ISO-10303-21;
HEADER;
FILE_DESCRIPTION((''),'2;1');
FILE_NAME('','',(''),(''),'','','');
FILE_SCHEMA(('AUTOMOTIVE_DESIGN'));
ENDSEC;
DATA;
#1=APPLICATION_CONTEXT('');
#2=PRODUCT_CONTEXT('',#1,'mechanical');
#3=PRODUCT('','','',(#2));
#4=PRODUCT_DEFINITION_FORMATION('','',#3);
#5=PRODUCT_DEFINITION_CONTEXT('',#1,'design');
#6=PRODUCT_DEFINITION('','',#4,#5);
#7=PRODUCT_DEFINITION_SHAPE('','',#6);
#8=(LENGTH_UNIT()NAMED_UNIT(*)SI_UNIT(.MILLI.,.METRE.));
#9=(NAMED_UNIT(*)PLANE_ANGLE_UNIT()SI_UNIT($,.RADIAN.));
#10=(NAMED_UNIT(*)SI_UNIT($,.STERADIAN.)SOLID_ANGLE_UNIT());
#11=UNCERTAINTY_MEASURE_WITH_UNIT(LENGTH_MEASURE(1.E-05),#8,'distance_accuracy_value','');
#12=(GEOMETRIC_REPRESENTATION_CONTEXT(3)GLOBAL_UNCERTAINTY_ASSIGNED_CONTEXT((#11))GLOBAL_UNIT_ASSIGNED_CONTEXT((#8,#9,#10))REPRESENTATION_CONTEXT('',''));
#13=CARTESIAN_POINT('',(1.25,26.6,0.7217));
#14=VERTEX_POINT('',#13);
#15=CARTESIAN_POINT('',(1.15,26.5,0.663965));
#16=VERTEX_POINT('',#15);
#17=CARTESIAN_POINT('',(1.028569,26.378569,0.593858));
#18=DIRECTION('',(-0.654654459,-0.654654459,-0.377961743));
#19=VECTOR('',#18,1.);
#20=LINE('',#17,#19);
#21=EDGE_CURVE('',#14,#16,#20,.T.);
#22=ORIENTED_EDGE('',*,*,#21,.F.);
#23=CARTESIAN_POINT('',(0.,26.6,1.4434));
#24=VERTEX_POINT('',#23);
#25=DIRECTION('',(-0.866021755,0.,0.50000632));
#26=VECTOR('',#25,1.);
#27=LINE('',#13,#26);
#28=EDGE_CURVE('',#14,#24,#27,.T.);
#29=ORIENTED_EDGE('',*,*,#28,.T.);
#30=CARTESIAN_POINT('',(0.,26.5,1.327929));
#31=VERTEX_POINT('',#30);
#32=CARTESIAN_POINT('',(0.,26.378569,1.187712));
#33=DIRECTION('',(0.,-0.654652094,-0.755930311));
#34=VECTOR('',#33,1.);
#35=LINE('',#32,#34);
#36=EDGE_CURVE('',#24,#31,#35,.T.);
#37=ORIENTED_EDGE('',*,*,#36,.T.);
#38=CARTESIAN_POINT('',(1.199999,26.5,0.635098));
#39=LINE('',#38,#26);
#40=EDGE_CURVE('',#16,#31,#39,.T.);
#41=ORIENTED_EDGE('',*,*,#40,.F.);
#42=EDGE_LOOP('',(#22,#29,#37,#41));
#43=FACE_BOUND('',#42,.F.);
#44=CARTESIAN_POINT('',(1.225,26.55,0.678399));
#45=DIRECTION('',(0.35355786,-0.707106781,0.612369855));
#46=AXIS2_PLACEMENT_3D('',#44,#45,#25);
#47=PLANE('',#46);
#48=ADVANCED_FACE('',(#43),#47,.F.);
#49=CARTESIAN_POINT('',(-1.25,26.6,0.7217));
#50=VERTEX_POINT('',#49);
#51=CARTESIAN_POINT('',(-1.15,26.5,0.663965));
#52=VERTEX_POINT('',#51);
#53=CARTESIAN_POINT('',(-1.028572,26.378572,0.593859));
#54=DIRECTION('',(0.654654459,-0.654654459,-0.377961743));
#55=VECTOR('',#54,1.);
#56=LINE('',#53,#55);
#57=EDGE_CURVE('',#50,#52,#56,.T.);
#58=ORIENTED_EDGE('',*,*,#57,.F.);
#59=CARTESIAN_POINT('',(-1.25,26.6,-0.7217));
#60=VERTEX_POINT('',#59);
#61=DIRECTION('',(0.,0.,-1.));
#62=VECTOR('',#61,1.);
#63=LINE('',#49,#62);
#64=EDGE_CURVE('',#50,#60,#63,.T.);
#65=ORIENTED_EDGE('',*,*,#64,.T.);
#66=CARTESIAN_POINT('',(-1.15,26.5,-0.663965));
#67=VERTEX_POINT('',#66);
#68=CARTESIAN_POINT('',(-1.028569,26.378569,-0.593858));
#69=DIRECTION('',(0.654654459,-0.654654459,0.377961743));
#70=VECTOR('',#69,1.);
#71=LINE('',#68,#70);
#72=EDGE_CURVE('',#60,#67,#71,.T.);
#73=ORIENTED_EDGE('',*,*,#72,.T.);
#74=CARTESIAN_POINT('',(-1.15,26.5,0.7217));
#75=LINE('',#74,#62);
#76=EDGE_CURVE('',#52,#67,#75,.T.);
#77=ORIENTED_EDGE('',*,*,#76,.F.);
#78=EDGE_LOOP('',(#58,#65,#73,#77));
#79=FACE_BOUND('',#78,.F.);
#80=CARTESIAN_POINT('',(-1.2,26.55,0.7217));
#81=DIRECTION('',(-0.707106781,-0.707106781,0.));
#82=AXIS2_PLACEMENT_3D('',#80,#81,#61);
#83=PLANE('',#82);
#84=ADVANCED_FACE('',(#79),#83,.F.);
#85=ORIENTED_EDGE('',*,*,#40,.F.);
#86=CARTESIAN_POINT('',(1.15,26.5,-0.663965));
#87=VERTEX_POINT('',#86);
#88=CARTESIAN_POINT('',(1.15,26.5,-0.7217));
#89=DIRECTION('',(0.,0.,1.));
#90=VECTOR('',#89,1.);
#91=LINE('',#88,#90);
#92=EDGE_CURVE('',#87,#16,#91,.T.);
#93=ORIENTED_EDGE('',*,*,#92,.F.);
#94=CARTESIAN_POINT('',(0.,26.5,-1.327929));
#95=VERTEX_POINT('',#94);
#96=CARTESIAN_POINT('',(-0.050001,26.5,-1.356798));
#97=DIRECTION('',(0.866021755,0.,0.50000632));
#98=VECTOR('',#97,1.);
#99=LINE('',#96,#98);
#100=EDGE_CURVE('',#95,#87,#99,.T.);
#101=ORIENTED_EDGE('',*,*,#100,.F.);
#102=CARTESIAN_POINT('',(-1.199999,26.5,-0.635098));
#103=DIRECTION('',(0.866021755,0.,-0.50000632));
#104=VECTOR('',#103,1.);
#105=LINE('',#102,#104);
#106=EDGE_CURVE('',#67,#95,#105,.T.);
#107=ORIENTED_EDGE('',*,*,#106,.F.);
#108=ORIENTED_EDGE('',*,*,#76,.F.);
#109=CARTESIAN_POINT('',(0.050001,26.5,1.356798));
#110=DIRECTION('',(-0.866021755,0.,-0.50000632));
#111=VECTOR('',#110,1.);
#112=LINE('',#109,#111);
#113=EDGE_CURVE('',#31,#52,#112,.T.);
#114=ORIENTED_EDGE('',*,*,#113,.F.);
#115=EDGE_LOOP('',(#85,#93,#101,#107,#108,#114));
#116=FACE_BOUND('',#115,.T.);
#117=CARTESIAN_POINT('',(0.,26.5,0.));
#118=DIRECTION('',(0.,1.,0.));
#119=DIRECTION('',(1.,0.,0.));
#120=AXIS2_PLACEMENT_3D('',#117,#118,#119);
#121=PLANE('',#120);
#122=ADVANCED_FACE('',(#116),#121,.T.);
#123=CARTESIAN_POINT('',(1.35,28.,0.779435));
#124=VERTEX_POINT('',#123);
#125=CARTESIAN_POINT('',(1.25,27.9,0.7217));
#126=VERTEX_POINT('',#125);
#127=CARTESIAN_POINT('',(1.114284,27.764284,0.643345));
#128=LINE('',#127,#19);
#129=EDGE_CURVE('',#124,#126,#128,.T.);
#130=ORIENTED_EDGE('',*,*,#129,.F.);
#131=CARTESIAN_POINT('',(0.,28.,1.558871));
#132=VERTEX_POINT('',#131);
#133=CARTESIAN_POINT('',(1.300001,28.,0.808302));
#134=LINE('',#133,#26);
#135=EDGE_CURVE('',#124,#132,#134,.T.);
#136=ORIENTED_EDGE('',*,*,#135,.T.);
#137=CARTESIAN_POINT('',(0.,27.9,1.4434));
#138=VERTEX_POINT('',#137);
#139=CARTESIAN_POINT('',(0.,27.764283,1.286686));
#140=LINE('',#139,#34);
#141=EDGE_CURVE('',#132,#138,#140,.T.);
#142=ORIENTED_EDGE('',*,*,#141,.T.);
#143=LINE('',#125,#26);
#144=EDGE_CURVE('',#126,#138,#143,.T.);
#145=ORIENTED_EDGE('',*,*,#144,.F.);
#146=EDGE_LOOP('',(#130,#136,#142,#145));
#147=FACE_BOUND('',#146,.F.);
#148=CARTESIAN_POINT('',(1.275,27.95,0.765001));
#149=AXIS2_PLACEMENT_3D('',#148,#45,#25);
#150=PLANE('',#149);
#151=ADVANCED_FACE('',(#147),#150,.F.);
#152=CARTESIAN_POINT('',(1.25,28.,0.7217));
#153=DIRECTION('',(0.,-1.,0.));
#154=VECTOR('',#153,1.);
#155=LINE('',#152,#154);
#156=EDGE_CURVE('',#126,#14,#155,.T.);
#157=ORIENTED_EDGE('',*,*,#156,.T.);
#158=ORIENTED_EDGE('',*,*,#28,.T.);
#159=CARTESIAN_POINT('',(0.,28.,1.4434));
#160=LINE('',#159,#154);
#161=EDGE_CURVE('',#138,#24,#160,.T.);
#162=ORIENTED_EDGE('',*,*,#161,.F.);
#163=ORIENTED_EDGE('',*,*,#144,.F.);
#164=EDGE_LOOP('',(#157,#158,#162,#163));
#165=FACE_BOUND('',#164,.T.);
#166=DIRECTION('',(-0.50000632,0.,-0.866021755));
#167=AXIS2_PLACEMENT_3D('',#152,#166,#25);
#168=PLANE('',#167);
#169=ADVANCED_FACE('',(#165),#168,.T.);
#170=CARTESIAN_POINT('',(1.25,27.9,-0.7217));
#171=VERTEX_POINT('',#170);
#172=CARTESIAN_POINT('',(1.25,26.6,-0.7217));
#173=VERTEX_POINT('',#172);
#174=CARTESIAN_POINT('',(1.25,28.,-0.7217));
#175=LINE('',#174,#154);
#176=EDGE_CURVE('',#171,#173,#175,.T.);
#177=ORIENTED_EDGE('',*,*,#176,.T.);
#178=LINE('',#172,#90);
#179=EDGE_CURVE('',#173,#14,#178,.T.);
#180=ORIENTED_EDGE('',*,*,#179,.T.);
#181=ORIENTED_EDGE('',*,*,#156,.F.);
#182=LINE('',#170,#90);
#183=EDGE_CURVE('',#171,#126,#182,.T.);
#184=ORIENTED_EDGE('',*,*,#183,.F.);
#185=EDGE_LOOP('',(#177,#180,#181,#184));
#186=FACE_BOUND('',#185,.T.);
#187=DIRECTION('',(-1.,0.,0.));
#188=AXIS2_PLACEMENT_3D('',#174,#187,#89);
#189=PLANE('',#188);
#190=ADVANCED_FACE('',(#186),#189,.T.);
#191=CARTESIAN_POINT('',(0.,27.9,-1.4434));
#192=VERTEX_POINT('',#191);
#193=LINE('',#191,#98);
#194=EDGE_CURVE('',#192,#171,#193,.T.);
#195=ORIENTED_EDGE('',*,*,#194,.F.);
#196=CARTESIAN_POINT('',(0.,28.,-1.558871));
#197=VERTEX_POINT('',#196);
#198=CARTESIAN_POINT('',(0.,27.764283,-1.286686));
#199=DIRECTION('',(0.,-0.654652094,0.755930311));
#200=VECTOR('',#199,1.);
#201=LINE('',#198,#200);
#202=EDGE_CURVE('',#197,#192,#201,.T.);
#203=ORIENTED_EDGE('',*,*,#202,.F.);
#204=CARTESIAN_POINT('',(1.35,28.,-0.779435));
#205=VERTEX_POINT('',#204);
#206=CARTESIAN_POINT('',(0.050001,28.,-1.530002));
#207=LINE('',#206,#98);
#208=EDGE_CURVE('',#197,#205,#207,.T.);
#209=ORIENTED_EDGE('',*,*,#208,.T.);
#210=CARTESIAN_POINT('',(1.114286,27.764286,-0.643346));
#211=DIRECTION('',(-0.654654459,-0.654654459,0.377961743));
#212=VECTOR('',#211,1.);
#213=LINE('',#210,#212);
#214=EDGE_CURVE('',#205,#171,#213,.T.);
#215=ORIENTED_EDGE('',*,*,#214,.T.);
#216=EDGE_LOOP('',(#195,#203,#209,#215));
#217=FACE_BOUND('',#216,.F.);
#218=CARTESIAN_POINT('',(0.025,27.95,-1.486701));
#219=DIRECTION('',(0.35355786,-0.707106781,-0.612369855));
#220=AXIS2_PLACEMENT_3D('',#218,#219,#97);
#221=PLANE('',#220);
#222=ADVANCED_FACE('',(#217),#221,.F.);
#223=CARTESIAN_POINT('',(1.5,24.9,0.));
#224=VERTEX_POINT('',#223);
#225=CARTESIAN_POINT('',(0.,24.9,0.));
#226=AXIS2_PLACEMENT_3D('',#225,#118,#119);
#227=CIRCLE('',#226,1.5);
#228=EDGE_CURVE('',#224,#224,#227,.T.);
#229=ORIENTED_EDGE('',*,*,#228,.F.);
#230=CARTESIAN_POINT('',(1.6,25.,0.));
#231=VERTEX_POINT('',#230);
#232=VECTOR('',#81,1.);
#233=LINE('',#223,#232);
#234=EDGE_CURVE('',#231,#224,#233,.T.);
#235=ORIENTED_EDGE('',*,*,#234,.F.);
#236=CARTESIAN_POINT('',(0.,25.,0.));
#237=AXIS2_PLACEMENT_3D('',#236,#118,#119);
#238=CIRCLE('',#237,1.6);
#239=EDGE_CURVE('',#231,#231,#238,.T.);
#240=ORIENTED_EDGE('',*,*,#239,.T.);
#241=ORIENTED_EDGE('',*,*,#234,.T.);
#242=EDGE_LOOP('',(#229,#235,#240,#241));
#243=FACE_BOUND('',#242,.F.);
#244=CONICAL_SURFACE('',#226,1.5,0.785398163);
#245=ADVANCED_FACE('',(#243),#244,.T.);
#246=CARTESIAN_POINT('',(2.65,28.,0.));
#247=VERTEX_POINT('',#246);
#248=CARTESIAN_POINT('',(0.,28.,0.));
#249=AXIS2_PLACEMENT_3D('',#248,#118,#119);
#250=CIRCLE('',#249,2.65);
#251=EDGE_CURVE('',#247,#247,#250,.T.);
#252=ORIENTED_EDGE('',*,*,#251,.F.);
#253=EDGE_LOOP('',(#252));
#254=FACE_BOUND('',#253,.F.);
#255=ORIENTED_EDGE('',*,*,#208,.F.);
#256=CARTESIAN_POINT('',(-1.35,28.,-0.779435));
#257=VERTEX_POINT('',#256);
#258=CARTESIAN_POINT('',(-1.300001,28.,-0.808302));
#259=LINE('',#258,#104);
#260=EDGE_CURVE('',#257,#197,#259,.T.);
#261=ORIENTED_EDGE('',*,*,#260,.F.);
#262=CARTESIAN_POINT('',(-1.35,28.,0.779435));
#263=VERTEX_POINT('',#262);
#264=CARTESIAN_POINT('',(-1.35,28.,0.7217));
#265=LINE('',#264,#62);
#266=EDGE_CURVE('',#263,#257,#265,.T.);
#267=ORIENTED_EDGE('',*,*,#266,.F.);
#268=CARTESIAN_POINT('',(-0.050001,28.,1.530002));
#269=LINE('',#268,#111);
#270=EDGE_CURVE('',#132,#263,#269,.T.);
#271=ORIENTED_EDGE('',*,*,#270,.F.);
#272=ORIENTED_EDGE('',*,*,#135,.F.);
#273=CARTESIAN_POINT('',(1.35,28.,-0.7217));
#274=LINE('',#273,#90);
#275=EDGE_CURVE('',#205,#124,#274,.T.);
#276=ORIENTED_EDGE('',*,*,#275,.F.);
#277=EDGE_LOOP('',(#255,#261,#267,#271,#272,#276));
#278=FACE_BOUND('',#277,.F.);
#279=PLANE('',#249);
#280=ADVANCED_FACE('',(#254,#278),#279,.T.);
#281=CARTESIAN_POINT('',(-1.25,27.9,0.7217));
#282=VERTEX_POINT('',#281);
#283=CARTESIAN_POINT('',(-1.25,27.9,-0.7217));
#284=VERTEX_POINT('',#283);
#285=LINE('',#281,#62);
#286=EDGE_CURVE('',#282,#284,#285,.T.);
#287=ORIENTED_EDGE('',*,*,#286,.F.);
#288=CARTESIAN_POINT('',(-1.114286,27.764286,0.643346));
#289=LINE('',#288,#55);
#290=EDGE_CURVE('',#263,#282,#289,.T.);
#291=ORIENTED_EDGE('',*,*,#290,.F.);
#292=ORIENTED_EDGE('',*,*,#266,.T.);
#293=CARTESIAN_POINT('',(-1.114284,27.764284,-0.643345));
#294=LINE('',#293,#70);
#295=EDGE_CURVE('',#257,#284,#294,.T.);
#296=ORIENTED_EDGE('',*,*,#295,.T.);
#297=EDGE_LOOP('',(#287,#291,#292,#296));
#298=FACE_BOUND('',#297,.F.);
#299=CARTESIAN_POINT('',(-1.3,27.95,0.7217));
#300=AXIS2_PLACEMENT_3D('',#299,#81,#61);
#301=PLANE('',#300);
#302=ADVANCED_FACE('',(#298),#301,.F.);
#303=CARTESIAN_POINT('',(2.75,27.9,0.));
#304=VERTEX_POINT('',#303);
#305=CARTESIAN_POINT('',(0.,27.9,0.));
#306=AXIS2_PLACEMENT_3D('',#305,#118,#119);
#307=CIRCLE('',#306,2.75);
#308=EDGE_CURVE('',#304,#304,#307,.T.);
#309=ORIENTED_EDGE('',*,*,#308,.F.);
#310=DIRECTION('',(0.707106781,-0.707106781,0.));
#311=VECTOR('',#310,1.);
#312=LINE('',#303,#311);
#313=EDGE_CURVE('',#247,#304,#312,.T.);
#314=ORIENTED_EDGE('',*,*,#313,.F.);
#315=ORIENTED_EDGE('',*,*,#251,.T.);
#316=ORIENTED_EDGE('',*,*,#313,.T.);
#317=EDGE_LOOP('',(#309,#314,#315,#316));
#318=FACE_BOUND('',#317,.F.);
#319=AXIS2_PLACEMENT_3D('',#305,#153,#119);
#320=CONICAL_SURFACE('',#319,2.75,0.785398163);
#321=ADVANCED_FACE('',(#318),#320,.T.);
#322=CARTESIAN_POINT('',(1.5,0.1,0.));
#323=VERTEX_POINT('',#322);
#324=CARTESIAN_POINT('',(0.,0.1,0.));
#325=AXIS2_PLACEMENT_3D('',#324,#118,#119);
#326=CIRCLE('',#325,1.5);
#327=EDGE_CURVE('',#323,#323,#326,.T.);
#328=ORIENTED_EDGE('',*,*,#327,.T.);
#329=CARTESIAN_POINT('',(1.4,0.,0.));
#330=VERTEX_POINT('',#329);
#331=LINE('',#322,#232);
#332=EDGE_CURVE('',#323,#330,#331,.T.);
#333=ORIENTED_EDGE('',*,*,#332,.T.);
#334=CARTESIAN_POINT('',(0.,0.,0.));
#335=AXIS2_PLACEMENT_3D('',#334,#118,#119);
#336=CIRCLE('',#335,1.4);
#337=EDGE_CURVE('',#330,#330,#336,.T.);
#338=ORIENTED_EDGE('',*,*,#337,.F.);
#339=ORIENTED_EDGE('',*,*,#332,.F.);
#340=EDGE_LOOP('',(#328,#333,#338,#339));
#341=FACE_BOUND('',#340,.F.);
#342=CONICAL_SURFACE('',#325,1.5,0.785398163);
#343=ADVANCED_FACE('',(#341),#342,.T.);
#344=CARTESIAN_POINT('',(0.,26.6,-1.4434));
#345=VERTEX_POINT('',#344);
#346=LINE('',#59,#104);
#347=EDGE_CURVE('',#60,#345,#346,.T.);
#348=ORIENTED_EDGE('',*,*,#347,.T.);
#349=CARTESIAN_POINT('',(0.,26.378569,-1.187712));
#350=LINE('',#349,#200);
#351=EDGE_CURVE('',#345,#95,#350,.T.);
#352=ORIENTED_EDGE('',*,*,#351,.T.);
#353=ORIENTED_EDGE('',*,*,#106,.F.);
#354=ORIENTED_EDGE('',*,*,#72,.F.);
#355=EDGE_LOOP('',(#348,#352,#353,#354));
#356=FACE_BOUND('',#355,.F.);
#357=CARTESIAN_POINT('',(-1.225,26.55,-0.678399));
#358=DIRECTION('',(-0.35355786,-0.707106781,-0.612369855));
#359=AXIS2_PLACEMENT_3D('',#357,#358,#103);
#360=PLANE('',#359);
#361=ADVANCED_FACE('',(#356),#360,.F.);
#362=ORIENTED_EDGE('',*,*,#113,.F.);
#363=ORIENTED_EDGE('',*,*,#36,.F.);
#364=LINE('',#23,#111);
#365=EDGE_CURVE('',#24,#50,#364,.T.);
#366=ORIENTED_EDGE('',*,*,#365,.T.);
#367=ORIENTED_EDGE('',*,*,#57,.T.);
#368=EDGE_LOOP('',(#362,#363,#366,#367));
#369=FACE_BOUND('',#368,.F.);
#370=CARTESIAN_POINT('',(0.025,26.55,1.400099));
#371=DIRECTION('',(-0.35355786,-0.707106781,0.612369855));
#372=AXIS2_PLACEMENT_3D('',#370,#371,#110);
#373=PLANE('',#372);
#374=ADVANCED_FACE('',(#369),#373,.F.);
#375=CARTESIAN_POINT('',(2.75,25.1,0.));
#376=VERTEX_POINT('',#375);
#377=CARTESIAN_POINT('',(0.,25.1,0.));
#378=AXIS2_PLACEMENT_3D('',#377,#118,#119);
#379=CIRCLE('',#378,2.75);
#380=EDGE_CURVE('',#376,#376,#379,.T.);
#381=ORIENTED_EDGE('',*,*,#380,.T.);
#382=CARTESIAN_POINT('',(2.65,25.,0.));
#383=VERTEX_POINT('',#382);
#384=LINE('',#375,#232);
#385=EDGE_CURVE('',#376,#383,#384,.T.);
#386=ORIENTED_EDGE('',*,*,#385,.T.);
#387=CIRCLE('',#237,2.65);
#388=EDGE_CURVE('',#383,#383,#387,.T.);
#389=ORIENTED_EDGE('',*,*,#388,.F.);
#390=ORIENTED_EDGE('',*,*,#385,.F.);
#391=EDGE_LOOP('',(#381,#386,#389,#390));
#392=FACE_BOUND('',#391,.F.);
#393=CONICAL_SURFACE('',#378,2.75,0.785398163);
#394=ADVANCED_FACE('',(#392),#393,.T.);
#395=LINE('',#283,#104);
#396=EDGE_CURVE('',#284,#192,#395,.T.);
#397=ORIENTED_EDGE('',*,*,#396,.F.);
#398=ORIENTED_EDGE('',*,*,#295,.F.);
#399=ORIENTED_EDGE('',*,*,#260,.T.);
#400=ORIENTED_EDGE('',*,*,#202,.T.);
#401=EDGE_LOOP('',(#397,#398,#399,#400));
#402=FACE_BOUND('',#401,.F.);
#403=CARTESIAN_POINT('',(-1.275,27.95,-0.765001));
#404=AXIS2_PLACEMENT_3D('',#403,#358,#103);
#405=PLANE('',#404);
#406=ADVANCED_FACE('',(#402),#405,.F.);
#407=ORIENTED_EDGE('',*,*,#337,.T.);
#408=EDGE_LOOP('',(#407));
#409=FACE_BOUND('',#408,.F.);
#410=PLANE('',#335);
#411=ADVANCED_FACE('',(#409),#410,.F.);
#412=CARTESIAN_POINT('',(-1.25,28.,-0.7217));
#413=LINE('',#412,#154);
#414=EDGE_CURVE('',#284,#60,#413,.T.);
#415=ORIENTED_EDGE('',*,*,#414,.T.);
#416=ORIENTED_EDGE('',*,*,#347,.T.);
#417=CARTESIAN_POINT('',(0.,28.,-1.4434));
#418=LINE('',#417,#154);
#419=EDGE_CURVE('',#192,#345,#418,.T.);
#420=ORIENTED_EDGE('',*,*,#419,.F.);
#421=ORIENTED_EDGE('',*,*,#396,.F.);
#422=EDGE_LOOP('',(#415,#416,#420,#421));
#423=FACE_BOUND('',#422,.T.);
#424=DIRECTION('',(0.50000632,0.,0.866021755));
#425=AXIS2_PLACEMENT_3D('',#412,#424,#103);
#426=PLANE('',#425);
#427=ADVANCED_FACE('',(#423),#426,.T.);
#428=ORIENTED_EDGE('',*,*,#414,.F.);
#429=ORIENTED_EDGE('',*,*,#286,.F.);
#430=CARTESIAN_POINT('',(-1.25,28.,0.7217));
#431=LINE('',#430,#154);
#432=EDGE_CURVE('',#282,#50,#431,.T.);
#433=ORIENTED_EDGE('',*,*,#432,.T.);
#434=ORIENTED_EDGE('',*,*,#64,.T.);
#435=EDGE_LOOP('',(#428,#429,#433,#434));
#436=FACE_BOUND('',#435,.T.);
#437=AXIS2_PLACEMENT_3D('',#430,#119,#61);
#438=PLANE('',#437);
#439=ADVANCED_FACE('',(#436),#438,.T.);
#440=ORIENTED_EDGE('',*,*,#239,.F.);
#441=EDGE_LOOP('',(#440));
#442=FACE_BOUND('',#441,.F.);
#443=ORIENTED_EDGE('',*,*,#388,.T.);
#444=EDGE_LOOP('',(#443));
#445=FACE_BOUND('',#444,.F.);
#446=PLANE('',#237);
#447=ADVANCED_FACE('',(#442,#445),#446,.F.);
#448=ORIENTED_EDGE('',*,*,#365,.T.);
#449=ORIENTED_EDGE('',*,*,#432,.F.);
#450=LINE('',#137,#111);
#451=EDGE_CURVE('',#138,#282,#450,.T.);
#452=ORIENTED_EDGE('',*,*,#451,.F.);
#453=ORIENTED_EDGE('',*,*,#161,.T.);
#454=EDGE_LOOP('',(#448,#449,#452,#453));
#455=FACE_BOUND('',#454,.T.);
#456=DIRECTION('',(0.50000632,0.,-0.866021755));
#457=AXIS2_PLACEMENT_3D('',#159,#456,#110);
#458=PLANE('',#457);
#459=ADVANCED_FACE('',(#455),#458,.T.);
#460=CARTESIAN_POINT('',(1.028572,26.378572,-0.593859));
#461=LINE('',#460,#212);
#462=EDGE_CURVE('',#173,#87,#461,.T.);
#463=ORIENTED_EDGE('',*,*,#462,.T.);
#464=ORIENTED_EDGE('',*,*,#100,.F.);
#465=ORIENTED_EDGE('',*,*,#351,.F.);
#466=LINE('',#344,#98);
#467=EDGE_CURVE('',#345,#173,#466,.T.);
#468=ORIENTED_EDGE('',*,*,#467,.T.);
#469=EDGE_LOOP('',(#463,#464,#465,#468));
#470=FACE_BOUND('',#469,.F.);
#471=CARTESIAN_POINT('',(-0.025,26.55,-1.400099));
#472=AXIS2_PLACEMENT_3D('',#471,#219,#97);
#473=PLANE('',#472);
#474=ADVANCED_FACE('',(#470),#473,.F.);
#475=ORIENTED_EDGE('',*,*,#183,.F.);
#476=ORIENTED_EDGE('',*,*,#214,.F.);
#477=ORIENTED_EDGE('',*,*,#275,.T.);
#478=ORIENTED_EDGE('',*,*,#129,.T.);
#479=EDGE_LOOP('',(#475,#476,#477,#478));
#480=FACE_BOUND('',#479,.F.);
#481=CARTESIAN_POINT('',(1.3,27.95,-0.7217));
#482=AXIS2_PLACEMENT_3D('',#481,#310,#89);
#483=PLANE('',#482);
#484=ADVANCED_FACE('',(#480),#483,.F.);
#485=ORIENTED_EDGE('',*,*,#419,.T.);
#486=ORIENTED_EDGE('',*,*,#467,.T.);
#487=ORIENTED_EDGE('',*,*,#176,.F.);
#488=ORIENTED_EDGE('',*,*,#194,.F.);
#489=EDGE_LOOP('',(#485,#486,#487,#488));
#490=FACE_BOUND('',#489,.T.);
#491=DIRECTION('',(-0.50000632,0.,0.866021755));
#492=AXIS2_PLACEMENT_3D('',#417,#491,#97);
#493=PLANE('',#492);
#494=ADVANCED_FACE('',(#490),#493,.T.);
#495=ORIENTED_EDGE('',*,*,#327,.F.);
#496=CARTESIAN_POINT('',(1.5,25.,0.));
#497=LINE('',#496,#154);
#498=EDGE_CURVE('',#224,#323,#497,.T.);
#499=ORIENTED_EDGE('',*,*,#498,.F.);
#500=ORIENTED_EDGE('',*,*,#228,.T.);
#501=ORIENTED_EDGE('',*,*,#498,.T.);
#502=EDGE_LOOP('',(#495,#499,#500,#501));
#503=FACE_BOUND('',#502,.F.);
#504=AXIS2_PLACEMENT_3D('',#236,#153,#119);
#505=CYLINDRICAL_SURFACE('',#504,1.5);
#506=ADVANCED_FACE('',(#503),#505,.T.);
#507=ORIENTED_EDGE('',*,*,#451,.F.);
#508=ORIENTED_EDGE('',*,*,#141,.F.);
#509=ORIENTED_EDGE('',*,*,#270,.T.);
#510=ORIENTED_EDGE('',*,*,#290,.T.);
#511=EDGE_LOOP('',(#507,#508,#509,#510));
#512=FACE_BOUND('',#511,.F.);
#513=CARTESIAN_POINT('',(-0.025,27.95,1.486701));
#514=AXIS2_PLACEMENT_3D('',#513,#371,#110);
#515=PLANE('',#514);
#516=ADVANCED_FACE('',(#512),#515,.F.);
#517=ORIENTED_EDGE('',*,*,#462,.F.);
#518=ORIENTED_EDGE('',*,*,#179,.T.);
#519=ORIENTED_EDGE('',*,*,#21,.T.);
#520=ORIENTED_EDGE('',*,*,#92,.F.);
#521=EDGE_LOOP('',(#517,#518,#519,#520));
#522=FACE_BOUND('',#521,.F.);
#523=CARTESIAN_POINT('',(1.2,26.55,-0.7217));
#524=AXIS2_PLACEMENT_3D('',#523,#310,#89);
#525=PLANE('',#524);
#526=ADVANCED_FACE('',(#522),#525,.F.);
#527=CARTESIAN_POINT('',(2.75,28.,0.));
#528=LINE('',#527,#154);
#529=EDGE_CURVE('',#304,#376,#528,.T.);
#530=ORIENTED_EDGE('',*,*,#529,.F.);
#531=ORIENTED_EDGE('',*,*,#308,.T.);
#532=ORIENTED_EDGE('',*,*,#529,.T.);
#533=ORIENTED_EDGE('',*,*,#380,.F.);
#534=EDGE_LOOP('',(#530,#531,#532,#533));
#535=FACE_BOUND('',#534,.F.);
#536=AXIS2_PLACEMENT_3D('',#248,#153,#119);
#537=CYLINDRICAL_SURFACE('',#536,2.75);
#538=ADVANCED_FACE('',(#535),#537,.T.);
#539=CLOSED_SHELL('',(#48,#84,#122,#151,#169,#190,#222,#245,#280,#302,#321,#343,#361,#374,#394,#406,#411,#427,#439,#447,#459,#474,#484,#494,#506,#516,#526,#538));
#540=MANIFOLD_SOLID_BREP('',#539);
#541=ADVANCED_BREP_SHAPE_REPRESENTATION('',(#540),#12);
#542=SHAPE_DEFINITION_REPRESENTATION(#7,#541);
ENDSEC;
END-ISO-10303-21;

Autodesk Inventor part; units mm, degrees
ref_plane "YZ Plane" through (0, 0, 0) normal (1, 0, 0) x (0, 1, 0)
ref_plane "XZ Plane" through (0, 0, 0) normal (0, 1, 0) x (-1, 0, 0)
ref_plane "XY Plane" through (0, 0, 0) normal (0, 0, 1) x (1, 0, 0)
sketch "Sketch1" plane through (0, 0, 0) normal (0, 0, 1) x (1, 0, 0)
  line L0 (0, 28) -> (2.75, 28)
  line L1 (2.75, 28) -> (2.75, 25)
  line L2 (2.75, 25) -> (1.5, 25)
  line L3 (1.5, 25) -> (1.5, 0)
  line L4 (1.5, 0) -> (0, 0)
  line L5 (0, 0) -> (0, 28)
  dimension "d0" = 2.75
  dimension "d1" = 3
  dimension "d2" = 25
  dimension "d3" = 1.5
revolve "Revolution1" add sketch "Sketch1" angle 360 about axis through (0, 0, 0) along (0, 1, 0)
thread "Thread1" size "M3x0.5" class "6g" standard "ANSI Metric M Profile" full length
sketch "Sketch3" plane through (0, 28, 0) normal (0, 1, 0) x (1, 0, 0)
  line L0 (1.25, -0.7217) -> (0, -1.4434)
  line L1 (0, -1.4434) -> (-1.25, -0.7217)
  line L2 (-1.25, -0.7217) -> (-1.25, 0.7217)
  line L3 (-1.25, 0.7217) -> (0, 1.4434)
  line L4 (0, 1.4434) -> (1.25, 0.7217)
  line L5 (1.25, 0.7217) -> (1.25, -0.7217)
  point P0 (0, 0)
  point P1 (0, 0)
  dimension "d13" = 2.5
extrude "Extrusion2" cut sketch "Sketch3" against normal blind 1.5
chamfer "Chamfer2" distance 0.1 angle 45 16 edges at (0.625, 28, 1.0825) (1.25, 28, 0) (1.25, 26.5, 0) (0.625, 28, -1.0825) (0.625, 26.5, -1.0825) (-0.625, 28, -1.0825) (-0.625, 26.5, -1.0825) (-1.25, 26.5, 0) (-1.25, 28, 0) (-0.625, 26.5, 1.0825) (-0.625, 28, 1.0825) (0.625, 26.5, 1.0825) (-2.75, 28, 0) (-2.75, 25, 0) (-1.5, 25, 0) (-1.5, 0, 0)
properties part number "M3 X 25"
